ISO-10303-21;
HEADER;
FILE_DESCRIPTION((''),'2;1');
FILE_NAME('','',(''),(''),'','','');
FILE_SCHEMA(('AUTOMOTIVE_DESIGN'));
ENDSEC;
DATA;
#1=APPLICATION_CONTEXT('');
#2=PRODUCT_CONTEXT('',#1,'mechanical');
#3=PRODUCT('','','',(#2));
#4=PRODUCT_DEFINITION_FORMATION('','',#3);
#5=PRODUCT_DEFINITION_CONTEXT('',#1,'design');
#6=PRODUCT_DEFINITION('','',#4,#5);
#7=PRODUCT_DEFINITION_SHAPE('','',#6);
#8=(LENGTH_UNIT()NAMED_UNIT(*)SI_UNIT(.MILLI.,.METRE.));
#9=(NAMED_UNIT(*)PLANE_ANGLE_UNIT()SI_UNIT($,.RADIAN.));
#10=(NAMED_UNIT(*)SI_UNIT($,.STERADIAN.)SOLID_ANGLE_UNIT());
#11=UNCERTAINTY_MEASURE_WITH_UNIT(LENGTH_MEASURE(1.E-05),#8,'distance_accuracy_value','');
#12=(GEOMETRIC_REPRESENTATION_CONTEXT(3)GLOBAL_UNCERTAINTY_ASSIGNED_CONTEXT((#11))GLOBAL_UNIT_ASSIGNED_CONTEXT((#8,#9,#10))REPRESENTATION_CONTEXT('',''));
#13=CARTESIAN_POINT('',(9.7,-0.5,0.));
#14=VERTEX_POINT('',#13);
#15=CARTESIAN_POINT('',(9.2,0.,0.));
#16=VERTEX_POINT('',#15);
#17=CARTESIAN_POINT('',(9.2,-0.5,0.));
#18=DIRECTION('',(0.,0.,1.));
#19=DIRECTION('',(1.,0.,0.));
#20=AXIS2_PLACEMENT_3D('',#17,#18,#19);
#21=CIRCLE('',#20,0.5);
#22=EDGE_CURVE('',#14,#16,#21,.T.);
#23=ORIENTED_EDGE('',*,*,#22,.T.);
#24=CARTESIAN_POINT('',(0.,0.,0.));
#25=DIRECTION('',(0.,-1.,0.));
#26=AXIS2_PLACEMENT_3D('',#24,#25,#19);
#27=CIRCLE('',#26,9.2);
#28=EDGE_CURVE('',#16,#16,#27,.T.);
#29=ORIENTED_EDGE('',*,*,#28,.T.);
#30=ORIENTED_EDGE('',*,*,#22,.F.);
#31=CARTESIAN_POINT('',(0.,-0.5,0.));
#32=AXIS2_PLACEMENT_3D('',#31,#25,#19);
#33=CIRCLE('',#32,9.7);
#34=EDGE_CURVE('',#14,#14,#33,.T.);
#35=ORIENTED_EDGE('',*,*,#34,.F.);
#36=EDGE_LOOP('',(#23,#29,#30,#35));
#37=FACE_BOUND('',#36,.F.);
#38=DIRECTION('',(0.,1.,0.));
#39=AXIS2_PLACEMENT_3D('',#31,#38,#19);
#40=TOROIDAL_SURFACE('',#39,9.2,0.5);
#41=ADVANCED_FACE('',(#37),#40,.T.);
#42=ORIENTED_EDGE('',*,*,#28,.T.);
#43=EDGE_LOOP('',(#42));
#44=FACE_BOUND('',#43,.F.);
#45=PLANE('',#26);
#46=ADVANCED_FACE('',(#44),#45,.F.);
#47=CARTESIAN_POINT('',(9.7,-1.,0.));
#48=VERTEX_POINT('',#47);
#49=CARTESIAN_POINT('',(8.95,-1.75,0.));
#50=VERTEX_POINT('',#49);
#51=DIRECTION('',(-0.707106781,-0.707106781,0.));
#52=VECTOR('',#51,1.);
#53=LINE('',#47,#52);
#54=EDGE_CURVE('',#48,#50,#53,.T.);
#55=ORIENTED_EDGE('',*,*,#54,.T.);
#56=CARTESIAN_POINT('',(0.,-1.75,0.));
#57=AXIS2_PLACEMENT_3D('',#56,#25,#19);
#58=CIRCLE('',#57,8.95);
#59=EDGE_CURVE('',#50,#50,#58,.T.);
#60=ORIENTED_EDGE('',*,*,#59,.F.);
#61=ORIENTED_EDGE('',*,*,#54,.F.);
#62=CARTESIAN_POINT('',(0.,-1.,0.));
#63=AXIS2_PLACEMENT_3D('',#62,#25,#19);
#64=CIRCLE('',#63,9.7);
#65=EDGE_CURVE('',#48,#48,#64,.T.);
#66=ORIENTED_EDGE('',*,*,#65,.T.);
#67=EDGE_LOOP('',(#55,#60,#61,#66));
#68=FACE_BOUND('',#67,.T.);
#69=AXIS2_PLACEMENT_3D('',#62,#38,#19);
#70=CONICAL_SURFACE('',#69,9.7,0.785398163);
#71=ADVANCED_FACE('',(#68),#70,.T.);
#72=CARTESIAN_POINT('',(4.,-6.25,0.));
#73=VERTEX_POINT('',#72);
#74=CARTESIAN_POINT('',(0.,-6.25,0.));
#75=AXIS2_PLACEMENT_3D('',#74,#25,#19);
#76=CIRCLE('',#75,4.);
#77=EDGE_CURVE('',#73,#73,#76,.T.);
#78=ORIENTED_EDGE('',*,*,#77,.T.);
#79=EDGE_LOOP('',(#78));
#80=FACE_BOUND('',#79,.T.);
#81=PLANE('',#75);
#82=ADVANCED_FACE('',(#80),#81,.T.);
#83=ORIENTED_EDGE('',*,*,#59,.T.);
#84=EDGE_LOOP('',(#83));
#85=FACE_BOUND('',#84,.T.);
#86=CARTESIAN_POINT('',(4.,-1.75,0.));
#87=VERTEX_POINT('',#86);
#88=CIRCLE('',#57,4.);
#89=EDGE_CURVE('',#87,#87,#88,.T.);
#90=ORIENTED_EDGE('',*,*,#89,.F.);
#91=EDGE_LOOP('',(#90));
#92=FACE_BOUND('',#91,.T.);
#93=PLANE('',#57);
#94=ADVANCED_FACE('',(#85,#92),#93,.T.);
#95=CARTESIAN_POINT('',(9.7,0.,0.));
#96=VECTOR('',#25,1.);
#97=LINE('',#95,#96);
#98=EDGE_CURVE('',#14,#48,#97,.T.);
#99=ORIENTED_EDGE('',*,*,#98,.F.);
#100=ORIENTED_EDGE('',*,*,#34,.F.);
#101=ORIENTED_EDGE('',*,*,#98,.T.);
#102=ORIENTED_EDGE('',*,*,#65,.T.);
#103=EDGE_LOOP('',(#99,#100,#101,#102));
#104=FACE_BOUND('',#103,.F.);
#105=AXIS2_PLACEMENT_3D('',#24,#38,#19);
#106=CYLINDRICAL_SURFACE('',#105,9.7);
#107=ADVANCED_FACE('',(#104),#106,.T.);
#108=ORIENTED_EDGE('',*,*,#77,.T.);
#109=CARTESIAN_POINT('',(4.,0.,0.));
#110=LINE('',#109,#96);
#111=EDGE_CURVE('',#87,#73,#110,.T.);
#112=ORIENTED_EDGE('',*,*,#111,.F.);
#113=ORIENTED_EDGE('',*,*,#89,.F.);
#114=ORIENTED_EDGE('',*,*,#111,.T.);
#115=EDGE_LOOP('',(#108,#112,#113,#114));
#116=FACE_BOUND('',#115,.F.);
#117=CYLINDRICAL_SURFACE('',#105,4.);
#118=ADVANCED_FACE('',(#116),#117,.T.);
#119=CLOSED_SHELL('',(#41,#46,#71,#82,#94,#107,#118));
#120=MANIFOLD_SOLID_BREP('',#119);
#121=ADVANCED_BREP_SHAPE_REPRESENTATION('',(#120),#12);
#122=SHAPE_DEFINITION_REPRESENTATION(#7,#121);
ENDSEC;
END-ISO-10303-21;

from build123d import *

# Parameters (mm, degrees)
F0_R     = 4
F1_DEPTH = 6.25
F0_R_2   = 9.7
F2_DEPTH = 1.75
F3_SIZE  = 0.75
F4_R     = 0.5


with BuildPart() as f1:
    # F0 (on Front) → F1 (new body)
    with BuildSketch(Plane.XZ):
        Circle(F0_R)
    extrude(amount=F1_DEPTH)

    # F0 (on Front) → F2 (join)
    with BuildSketch(Plane.XZ):
        Circle(F0_R_2)
        Circle(F0_R, mode=Mode.SUBTRACT)
    extrude(amount=F2_DEPTH)

    # F3
    f3_edges = [f1.edges().sort_by_distance(p)[0] for p in [
        (-9.7, -1.75, 0),
    ]]
    chamfer(f3_edges, length=F3_SIZE)

    # F4
    f4_edges = [f1.edges().sort_by_distance(p)[0] for p in [
        (-9.7, 0, 0),
    ]]
    fillet(f4_edges, radius=F4_R)


solid = f1.part
